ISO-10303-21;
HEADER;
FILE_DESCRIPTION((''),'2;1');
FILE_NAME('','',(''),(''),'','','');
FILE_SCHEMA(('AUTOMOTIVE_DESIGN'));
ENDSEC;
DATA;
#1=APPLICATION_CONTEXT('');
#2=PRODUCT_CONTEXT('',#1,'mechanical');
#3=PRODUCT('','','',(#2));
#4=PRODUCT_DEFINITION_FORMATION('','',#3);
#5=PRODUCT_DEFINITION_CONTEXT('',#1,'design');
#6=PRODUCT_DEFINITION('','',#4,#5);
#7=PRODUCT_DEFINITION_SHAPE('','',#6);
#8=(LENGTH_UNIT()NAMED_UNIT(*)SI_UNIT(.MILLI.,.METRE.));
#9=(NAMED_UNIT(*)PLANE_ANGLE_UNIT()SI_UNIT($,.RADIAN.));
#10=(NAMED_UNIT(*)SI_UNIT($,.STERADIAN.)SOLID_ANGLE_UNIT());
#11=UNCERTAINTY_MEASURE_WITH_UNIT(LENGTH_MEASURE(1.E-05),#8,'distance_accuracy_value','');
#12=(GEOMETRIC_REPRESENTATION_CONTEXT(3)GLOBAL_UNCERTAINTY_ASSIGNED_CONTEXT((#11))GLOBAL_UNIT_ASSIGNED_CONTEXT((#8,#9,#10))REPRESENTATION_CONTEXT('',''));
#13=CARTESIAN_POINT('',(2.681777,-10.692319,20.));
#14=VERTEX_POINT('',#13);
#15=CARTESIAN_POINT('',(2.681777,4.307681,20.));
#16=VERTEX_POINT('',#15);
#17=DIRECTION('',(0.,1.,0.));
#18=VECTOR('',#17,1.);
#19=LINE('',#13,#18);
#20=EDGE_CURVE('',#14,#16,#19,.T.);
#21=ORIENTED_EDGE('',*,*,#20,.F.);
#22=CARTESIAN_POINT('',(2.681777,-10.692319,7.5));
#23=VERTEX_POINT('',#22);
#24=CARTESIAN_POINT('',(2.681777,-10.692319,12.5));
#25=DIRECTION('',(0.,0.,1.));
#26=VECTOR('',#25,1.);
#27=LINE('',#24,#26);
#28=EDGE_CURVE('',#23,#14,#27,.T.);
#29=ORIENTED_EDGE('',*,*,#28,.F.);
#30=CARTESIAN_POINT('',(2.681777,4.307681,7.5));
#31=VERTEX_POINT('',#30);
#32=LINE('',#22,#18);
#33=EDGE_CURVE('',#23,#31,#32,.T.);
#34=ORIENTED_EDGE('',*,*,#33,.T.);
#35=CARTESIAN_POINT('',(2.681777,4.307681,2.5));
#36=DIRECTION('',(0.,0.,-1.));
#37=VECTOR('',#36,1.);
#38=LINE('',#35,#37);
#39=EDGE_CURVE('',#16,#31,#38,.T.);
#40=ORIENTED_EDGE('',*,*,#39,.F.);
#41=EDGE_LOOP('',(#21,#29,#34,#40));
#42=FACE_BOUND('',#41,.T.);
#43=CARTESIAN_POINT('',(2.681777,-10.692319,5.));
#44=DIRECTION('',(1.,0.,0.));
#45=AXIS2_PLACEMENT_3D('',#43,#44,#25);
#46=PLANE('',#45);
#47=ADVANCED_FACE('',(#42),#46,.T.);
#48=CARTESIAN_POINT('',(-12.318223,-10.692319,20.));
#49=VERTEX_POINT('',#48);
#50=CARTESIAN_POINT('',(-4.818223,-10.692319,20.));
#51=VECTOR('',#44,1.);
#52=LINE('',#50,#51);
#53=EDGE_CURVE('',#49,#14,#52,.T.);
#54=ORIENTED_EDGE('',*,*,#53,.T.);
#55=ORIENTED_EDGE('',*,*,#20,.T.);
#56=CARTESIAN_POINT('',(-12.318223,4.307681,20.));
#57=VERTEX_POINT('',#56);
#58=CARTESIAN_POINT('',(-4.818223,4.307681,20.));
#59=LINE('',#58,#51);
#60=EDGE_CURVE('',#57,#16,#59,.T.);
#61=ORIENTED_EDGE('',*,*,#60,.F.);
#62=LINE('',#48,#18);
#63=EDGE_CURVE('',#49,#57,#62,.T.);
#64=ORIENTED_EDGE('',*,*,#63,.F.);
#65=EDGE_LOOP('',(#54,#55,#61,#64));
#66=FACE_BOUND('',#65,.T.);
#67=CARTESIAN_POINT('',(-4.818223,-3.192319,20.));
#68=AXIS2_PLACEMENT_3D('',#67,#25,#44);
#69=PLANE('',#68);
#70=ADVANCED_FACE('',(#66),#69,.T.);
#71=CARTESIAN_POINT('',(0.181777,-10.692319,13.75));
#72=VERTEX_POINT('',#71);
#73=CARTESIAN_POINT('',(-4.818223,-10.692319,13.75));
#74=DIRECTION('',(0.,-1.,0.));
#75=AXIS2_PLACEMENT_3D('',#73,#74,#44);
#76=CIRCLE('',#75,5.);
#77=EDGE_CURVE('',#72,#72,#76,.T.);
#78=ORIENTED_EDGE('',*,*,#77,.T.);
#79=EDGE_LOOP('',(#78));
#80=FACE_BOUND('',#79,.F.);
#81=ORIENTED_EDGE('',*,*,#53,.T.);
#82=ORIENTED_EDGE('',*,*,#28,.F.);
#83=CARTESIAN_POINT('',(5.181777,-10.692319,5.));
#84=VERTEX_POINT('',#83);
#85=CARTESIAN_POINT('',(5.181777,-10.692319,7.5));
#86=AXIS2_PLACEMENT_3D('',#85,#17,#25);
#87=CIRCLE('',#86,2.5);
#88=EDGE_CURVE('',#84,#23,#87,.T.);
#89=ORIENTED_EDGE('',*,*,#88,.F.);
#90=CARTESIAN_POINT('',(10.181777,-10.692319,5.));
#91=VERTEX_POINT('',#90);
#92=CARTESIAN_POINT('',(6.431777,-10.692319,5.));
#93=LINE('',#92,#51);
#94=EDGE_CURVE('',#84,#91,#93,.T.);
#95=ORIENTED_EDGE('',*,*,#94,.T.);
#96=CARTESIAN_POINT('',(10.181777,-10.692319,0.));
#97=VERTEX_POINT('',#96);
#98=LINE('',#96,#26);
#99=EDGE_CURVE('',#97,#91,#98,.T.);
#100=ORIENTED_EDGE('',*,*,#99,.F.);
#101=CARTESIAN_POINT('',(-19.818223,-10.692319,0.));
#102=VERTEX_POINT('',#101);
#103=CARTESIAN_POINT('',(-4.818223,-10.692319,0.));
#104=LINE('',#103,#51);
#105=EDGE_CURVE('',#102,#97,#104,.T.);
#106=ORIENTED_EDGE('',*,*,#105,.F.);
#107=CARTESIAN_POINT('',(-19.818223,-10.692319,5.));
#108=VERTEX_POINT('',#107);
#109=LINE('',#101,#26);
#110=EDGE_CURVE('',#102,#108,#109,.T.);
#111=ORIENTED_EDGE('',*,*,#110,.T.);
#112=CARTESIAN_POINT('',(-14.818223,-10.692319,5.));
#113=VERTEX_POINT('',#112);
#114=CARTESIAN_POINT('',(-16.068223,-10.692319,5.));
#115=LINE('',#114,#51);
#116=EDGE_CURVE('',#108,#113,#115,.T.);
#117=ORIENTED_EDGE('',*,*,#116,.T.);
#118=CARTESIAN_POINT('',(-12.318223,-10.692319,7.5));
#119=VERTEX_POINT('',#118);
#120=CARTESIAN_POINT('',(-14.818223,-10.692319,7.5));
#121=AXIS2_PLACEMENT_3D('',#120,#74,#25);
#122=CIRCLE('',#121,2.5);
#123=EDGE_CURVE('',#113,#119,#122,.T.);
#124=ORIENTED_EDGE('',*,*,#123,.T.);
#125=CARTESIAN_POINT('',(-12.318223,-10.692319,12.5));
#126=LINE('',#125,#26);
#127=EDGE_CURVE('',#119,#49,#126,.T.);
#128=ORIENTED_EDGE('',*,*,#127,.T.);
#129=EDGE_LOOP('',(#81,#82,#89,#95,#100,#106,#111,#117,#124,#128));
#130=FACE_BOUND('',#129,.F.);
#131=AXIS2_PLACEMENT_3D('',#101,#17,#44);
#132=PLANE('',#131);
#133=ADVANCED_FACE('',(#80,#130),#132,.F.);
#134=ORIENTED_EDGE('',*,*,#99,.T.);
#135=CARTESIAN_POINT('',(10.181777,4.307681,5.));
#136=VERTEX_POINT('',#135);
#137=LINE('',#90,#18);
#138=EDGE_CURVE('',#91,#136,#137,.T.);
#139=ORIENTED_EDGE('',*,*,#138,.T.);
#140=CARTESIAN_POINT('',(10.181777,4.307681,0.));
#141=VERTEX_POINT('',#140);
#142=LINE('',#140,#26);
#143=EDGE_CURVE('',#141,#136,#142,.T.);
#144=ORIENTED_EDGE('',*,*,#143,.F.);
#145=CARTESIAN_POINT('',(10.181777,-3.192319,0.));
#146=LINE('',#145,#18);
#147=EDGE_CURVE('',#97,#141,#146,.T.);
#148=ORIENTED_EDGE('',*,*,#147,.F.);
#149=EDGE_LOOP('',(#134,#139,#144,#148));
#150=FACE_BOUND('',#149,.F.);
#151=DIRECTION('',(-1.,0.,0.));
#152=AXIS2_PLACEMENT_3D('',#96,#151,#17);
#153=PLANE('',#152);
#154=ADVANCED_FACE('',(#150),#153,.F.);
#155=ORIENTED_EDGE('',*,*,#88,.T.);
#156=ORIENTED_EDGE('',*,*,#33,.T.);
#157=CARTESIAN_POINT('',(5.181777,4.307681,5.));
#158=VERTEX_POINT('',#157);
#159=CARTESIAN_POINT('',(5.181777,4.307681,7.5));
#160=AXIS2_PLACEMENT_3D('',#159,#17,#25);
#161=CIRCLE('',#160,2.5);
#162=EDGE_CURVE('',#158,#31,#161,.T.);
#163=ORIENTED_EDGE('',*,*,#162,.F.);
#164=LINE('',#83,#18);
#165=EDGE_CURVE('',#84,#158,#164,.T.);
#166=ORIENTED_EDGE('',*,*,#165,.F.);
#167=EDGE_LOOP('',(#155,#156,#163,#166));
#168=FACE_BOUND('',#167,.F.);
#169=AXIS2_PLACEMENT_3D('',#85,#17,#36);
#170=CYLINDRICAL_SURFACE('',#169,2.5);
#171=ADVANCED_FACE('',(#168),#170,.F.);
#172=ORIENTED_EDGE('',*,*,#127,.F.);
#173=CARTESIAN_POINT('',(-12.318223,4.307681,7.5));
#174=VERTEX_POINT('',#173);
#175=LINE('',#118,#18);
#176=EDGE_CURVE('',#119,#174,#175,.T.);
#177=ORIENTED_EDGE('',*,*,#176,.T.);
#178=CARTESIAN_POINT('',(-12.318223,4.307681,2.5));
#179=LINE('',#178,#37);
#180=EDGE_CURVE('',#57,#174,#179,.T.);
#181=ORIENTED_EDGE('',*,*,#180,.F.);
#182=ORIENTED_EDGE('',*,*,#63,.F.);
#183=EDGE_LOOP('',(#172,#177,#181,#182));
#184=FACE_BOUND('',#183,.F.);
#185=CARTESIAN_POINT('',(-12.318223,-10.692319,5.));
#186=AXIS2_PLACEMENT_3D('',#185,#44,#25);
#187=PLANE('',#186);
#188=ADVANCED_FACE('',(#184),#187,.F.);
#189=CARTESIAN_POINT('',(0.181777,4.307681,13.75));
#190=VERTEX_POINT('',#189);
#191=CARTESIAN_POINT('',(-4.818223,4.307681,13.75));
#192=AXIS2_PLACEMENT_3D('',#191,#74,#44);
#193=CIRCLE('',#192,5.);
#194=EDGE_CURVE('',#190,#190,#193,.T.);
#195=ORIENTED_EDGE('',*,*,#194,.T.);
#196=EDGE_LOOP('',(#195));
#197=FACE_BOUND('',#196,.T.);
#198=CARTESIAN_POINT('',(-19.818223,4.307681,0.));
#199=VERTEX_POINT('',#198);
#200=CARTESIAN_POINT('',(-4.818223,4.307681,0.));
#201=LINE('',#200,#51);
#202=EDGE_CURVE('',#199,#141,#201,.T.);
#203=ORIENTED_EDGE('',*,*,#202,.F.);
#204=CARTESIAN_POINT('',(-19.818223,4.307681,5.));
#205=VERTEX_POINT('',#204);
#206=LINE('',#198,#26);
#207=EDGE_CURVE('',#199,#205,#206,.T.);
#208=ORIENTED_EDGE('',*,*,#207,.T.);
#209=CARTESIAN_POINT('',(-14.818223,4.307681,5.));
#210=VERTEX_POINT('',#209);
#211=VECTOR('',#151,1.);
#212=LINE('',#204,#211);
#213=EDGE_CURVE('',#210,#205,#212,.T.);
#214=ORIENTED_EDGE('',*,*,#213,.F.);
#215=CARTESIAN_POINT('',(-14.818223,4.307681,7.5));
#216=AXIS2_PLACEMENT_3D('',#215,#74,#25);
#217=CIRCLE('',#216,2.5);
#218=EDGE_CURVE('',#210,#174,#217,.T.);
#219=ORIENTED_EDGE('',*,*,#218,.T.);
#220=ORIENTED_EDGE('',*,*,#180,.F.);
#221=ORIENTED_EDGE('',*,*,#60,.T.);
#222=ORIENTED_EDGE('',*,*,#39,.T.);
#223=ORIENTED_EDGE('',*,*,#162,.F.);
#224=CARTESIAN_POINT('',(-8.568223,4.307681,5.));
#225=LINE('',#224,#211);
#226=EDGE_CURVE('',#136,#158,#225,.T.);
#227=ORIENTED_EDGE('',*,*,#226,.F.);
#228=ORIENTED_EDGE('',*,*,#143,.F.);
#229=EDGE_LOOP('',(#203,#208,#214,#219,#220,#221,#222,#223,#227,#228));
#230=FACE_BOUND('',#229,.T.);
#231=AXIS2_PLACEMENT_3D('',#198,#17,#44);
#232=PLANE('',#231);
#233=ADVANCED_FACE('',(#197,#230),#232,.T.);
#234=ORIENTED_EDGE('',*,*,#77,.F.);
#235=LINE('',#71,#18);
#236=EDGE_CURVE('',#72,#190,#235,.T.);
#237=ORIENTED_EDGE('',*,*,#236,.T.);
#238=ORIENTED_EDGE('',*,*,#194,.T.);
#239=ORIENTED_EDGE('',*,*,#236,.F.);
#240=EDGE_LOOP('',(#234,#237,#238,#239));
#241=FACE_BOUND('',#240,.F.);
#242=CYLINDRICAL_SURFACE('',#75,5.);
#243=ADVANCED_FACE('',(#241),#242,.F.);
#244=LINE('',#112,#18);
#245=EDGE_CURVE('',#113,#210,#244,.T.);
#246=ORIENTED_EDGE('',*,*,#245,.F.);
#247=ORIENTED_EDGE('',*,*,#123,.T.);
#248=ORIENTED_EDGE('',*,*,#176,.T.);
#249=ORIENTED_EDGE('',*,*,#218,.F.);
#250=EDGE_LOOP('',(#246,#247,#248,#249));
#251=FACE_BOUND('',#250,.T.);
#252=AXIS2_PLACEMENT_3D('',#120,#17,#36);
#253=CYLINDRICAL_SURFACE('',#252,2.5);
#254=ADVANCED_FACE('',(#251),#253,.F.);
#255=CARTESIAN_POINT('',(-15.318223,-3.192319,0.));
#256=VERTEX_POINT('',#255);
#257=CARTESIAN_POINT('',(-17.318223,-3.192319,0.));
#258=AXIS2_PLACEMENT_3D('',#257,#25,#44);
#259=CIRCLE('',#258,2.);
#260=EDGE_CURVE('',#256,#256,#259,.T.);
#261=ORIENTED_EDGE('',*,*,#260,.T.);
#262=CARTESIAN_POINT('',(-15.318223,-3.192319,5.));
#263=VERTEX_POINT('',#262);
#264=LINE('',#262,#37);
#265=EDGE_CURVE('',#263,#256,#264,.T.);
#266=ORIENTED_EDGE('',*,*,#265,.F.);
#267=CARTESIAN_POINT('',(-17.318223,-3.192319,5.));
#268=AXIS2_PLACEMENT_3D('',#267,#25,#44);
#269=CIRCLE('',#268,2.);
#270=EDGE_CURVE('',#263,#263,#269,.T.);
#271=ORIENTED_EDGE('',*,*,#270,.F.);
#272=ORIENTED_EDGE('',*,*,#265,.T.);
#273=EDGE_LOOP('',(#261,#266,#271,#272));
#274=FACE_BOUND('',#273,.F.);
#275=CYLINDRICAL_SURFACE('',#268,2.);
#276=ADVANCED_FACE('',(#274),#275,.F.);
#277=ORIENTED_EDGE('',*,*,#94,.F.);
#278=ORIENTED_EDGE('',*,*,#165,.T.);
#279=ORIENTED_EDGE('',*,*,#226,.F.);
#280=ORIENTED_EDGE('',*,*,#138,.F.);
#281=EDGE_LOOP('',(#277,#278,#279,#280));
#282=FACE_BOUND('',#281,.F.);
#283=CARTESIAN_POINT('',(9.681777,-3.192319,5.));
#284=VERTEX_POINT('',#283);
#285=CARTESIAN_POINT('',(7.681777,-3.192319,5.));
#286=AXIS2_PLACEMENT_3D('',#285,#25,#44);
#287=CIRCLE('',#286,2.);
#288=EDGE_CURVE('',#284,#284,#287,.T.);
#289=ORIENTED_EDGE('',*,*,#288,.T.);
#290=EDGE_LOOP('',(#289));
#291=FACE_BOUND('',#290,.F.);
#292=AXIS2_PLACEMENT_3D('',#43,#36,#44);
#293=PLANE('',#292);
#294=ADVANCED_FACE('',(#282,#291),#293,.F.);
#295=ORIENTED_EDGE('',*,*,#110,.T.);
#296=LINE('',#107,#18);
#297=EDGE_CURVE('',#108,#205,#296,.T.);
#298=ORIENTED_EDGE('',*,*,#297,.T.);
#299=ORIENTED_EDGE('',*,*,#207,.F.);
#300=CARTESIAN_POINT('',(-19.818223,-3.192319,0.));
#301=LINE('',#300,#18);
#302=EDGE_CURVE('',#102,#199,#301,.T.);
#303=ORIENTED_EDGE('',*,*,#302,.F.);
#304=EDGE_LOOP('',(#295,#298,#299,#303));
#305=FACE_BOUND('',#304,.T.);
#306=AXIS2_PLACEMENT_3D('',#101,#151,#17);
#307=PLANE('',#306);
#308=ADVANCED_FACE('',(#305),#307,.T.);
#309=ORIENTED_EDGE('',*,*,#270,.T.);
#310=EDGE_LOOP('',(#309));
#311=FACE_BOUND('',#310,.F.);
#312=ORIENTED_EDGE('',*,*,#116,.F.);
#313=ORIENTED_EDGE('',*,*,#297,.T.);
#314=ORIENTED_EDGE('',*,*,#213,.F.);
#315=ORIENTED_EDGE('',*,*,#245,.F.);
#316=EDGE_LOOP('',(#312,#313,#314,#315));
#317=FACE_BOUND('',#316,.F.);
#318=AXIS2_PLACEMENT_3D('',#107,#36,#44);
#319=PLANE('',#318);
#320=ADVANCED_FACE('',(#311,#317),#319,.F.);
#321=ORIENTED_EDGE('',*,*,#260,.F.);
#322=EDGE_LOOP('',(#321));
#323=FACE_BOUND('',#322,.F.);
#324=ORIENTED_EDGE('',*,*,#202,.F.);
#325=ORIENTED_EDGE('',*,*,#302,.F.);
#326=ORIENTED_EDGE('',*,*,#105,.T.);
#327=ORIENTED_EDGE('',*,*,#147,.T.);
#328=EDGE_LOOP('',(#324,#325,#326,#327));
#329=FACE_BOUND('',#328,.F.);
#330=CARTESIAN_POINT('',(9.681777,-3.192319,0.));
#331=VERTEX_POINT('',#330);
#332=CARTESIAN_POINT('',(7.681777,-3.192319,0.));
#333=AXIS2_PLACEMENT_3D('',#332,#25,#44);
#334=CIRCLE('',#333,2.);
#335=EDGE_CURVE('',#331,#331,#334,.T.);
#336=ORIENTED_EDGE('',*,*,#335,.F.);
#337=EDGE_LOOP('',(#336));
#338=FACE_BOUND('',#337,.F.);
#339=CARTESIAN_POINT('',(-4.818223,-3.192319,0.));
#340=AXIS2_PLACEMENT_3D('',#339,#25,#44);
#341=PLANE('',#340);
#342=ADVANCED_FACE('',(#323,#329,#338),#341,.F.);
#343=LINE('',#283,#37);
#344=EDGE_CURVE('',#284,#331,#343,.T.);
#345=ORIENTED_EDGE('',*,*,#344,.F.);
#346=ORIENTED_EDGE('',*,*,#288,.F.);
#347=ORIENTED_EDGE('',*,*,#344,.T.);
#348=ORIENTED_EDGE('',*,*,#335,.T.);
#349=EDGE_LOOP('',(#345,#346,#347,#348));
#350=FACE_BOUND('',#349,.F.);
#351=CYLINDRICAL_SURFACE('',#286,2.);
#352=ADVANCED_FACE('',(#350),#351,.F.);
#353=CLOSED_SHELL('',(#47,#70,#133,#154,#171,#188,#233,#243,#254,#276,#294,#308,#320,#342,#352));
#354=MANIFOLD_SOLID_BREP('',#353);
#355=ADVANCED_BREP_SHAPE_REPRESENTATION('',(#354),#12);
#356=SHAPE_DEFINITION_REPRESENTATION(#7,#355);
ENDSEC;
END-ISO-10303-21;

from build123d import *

# Parameters (mm, degrees)
F0_W      = 30
F0_H      = 15
F1_DEPTH  = 20
F2_W      = 7.5
F2_H      = 15
F3_DEPTH  = 15.001
F4_R      = 2.5
F5_R      = 5
F6_DEPTH  = 15.001
F7_R      = 2
F8_DEPTH  = 5.001
F9_R      = 2
F10_DEPTH = 5.001


with BuildPart() as f1:
    # F0 (on Top) → F1 (new body)
    with BuildSketch(Plane.XY):
        with Locations((-4.818223, -3.192319)):
            Rectangle(F0_W, F0_H)
    extrude(amount=F1_DEPTH)

    # F2 (on face) → F3 (cut, through all)
    with BuildSketch(Plane.XZ.offset(10.692319)):
        with Locations((-16.068223, 12.5)):
            Rectangle(F2_W, F2_H)
        with Locations((6.431777, 12.5)):
            Rectangle(F2_W, F2_H)
    extrude(amount=-F3_DEPTH, mode=Mode.SUBTRACT)

    # F4
    f4_edges = [f1.edges().sort_by_distance(p)[0] for p in [
        (2.681777, -3.192319, 5),
        (-12.318223, -3.192319, 5),
    ]]
    fillet(f4_edges, radius=F4_R)

    # F5 (on face) → F6 (cut, through all)
    with BuildSketch(Plane.XZ.offset(10.692319)):
        with Locations((-4.818223, 13.75)):
            Circle(F5_R)
    extrude(amount=-F6_DEPTH, mode=Mode.SUBTRACT)

    # F7 (on face) → F8 (cut, through all)
    with BuildSketch(Plane.XY.offset(5)):
        with Locations((7.681777, -3.192319)):
            Circle(F7_R)
    extrude(amount=-F8_DEPTH, mode=Mode.SUBTRACT)

    # F9 (on face) → F10 (cut, through all)
    with BuildSketch(Plane.XY.offset(5)):
        with Locations((-17.318223, -3.192319)):
            Circle(F9_R)
    extrude(amount=-F10_DEPTH, mode=Mode.SUBTRACT)


solid = f1.part
